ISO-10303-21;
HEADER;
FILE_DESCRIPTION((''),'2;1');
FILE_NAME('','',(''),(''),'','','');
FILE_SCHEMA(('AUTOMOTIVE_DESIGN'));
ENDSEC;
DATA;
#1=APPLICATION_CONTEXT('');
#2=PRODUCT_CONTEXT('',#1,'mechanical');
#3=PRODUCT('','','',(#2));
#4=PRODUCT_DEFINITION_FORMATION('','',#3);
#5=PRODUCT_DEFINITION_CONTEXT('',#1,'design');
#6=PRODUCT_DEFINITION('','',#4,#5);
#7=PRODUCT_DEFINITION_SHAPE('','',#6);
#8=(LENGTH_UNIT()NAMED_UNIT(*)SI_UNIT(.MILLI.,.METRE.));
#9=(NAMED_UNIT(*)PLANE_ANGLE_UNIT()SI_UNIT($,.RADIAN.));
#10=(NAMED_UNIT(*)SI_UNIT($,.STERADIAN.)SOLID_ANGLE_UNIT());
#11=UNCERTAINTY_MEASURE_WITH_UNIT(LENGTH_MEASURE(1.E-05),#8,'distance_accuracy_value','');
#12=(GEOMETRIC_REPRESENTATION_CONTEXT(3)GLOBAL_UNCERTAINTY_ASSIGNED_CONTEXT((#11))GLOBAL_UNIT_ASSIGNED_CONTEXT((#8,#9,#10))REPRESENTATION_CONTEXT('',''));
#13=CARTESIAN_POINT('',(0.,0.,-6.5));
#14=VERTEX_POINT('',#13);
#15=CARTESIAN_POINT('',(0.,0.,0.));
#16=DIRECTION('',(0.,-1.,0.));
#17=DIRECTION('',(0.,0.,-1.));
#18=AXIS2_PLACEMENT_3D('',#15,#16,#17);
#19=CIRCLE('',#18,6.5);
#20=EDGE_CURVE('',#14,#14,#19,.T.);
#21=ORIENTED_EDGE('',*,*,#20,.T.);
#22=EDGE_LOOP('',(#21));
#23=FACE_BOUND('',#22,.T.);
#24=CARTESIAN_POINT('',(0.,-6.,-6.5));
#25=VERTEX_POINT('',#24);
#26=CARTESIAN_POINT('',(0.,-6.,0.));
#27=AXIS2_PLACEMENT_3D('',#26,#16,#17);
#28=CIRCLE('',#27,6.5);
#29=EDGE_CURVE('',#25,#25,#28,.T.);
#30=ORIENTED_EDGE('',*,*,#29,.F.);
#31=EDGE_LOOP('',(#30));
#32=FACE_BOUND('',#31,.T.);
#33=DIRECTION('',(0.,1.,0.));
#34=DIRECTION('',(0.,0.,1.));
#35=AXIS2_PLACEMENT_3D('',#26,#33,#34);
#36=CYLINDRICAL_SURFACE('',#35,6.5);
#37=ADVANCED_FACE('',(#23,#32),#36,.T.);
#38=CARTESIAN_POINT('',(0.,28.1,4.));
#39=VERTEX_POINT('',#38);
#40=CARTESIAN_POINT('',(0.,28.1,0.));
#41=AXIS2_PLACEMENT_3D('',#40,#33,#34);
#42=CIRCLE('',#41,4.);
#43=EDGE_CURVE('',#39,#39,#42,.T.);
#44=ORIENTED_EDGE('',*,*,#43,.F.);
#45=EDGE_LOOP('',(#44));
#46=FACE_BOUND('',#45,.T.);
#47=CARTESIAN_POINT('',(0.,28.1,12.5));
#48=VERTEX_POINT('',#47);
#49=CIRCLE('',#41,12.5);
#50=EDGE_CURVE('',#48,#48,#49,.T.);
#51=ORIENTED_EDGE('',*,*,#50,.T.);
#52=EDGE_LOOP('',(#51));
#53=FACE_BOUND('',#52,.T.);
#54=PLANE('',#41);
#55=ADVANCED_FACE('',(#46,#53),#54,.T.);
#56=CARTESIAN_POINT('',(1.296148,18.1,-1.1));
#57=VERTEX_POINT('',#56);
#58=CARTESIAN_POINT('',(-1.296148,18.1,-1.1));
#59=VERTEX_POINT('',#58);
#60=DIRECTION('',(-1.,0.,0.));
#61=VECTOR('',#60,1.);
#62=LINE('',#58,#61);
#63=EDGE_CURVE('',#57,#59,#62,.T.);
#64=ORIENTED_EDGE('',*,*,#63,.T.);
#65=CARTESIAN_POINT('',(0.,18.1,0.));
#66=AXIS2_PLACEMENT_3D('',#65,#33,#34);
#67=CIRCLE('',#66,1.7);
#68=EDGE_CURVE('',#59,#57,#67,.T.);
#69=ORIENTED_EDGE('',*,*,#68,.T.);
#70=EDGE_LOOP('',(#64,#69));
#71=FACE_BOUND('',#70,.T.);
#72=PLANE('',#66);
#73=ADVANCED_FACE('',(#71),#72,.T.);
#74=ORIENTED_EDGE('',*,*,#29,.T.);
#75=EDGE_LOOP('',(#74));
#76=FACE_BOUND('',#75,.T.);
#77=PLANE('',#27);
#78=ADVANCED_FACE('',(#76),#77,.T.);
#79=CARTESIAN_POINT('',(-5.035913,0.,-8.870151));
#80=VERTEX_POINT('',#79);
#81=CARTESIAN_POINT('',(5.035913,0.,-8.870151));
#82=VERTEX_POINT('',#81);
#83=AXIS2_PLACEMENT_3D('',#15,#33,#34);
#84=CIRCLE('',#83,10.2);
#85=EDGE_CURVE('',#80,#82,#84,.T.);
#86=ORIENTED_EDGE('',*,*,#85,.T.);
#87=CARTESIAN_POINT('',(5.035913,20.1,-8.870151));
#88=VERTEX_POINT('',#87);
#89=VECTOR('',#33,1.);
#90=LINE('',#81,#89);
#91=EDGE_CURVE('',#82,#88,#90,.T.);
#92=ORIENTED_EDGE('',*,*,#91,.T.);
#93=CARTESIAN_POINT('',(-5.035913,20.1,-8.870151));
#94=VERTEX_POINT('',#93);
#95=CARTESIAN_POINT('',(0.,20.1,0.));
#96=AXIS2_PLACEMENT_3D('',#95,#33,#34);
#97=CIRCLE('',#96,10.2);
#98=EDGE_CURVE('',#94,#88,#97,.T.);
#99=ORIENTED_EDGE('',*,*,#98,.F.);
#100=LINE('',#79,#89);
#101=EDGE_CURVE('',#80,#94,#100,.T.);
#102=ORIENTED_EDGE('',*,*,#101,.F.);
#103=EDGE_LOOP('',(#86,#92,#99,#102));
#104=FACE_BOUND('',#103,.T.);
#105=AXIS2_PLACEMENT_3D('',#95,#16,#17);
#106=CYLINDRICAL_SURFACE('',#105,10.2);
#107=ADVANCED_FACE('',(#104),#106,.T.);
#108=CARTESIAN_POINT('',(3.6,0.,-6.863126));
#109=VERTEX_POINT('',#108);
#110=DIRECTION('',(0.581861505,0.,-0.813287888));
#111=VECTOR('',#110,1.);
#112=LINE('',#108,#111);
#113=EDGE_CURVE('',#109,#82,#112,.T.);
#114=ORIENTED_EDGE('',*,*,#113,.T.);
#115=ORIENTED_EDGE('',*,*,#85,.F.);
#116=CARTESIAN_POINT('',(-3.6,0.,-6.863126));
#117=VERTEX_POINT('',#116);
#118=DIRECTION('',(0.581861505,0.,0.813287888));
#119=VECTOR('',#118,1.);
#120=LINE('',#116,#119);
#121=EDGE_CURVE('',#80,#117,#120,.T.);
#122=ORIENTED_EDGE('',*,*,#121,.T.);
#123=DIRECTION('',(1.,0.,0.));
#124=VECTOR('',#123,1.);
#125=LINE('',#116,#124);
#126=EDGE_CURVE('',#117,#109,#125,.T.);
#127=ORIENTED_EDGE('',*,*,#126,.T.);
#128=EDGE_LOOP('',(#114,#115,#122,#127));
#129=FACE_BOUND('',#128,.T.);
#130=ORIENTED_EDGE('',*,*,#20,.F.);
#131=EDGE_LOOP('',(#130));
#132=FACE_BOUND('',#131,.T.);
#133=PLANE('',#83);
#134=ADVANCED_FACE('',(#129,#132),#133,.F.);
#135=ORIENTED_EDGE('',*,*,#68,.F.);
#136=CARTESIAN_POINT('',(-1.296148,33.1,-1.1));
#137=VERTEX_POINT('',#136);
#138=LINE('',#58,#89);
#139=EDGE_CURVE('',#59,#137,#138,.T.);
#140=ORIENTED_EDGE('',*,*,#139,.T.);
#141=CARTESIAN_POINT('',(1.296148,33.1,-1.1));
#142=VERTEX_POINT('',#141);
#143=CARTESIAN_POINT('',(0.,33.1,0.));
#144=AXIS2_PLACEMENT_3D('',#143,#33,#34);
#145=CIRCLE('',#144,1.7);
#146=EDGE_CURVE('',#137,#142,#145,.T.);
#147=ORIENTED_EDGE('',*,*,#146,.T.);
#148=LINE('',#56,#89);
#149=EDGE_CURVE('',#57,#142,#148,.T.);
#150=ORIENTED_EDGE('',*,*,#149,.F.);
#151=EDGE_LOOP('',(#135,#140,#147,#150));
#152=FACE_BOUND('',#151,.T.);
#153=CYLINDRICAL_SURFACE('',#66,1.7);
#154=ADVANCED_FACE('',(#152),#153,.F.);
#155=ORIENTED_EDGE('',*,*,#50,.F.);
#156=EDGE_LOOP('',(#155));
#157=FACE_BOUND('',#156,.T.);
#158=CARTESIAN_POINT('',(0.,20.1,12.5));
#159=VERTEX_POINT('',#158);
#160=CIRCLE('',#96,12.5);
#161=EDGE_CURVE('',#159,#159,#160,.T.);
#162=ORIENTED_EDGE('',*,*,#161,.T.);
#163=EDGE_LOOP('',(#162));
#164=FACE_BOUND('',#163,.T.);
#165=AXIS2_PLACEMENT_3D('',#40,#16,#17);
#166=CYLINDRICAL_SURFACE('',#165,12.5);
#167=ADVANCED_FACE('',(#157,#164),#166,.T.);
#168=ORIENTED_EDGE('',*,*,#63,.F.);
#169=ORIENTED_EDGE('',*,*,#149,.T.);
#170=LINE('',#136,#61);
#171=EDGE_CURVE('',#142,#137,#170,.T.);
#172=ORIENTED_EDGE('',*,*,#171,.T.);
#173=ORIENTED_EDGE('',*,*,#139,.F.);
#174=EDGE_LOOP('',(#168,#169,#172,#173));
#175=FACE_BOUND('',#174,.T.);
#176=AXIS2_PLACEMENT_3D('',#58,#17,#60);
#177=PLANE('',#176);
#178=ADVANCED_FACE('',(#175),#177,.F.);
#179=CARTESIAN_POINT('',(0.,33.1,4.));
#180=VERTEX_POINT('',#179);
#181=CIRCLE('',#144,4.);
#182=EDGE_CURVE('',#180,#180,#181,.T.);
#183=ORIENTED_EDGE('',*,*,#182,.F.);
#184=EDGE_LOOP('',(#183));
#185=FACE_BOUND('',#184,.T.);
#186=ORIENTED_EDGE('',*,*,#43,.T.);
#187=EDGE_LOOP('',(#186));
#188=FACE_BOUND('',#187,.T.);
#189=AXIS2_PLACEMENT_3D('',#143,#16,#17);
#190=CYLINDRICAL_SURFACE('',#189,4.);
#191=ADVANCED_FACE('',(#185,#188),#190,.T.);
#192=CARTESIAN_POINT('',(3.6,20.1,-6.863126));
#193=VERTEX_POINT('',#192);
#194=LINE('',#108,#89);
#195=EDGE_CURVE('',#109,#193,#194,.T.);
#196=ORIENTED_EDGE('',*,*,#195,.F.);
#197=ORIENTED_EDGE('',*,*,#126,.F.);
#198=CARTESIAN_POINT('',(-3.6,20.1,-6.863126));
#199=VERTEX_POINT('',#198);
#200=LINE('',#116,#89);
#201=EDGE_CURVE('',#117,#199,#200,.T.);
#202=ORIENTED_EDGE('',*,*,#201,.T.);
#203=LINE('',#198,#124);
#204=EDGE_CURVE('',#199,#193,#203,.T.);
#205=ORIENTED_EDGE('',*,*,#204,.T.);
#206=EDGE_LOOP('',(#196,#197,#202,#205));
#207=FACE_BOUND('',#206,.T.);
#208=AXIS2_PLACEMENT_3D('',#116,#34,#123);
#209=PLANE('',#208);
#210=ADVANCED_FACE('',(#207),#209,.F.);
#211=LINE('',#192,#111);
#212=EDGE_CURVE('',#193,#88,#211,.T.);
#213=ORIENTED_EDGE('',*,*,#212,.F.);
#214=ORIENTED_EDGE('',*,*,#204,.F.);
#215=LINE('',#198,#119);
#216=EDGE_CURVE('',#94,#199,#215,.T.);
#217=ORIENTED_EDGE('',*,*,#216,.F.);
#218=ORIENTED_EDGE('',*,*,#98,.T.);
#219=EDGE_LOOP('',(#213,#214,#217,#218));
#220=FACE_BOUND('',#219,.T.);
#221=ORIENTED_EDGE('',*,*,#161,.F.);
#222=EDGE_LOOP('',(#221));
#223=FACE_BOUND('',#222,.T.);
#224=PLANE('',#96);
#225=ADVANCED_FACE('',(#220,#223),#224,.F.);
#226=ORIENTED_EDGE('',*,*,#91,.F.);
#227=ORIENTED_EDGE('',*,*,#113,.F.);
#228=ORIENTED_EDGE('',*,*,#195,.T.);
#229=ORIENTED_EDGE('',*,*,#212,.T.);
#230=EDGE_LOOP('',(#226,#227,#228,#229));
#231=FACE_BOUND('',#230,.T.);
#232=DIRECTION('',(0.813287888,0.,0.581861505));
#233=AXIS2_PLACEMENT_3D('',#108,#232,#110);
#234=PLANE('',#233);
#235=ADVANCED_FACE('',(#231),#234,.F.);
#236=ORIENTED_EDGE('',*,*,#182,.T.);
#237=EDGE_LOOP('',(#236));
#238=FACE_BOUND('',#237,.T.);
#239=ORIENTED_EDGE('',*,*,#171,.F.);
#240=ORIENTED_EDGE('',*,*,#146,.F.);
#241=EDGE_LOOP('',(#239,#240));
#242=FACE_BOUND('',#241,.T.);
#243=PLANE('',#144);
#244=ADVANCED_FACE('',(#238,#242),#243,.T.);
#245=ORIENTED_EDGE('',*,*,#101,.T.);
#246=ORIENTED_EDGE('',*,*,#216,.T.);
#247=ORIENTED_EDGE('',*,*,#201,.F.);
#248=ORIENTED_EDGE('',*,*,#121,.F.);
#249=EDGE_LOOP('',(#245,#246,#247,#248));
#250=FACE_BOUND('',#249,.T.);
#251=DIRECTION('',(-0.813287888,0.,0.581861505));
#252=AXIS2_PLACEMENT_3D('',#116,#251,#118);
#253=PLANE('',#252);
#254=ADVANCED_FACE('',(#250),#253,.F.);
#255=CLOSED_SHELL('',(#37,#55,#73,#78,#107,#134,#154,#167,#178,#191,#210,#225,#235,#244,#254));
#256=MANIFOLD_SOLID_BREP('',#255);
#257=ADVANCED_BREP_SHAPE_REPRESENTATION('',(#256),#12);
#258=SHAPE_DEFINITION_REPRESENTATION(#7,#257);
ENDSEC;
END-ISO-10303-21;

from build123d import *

# Parameters (mm, degrees)
SKETCH1_R           = 10.2
BOSS_EXTRUDE1_DEPTH = 20.1
CUT_EXTRUDE3_DEPTH  = 21.1
SKETCH9_R           = 12.5
BOSS_EXTRUDE3_DEPTH = 8
SKETCH10_R          = 4
BOSS_EXTRUDE4_DEPTH = 5
CUT_EXTRUDE5_DEPTH  = 15
SKETCH12_R          = 6.5
BOSS_EXTRUDE5_DEPTH = 6


with BuildPart() as part:
    # Sketch1 → Boss-Extrude1 (new body)
    with BuildSketch(Plane(origin=(0, 0, 0), x_dir=(1, 0, 0), z_dir=(0, 1, 0))):
        Circle(SKETCH1_R)
    extrude(amount=BOSS_EXTRUDE1_DEPTH)

    # Sketch6 → Cut-Extrude3 (cut, through all)
    with BuildSketch(Plane(origin=(0, 20.1, 0), x_dir=(1, 0, 0), z_dir=(0, 1, 0))):
        Polygon((-3.6, 6.86312611), (3.6, 6.86312611), (5.03591293, 8.870151124), (5.03591293, 10.936036024), (-4.887797844, 10.936036024), (-5.03591293, 8.870151124), align=None)
    extrude(amount=-CUT_EXTRUDE3_DEPTH, mode=Mode.SUBTRACT)

    # Sketch9 → Boss-Extrude3 (add)
    with BuildSketch(Plane(origin=(0, 20.1, 0), x_dir=(1, 0, 0), z_dir=(0, 1, 0))):
        Circle(SKETCH9_R)
    extrude(amount=BOSS_EXTRUDE3_DEPTH)

    # Sketch10 → Boss-Extrude4 (add)
    with BuildSketch(Plane(origin=(0, 28.1, 0), x_dir=(1, 0, 0), z_dir=(0, 1, 0))):
        Circle(SKETCH10_R)
    extrude(amount=BOSS_EXTRUDE4_DEPTH)

    # Sketch11 → Cut-Extrude5 (cut)
    with BuildSketch(Plane(origin=(0, 33.1, 0), x_dir=(1, 0, 0), z_dir=(0, 1, 0))):
        with BuildLine():
            Line((-1.29614814, 1.1), (1.29614814, 1.1))
            ThreePointArc((1.29614814, 1.1), (0, -1.7), (-1.29614814, 1.1))
        make_face()
    extrude(amount=-CUT_EXTRUDE5_DEPTH, mode=Mode.SUBTRACT)

    # Sketch12 → Boss-Extrude5 (add)
    with BuildSketch(Plane.XZ):
        Circle(SKETCH12_R)
    extrude(amount=BOSS_EXTRUDE5_DEPTH)


solid = part.part
